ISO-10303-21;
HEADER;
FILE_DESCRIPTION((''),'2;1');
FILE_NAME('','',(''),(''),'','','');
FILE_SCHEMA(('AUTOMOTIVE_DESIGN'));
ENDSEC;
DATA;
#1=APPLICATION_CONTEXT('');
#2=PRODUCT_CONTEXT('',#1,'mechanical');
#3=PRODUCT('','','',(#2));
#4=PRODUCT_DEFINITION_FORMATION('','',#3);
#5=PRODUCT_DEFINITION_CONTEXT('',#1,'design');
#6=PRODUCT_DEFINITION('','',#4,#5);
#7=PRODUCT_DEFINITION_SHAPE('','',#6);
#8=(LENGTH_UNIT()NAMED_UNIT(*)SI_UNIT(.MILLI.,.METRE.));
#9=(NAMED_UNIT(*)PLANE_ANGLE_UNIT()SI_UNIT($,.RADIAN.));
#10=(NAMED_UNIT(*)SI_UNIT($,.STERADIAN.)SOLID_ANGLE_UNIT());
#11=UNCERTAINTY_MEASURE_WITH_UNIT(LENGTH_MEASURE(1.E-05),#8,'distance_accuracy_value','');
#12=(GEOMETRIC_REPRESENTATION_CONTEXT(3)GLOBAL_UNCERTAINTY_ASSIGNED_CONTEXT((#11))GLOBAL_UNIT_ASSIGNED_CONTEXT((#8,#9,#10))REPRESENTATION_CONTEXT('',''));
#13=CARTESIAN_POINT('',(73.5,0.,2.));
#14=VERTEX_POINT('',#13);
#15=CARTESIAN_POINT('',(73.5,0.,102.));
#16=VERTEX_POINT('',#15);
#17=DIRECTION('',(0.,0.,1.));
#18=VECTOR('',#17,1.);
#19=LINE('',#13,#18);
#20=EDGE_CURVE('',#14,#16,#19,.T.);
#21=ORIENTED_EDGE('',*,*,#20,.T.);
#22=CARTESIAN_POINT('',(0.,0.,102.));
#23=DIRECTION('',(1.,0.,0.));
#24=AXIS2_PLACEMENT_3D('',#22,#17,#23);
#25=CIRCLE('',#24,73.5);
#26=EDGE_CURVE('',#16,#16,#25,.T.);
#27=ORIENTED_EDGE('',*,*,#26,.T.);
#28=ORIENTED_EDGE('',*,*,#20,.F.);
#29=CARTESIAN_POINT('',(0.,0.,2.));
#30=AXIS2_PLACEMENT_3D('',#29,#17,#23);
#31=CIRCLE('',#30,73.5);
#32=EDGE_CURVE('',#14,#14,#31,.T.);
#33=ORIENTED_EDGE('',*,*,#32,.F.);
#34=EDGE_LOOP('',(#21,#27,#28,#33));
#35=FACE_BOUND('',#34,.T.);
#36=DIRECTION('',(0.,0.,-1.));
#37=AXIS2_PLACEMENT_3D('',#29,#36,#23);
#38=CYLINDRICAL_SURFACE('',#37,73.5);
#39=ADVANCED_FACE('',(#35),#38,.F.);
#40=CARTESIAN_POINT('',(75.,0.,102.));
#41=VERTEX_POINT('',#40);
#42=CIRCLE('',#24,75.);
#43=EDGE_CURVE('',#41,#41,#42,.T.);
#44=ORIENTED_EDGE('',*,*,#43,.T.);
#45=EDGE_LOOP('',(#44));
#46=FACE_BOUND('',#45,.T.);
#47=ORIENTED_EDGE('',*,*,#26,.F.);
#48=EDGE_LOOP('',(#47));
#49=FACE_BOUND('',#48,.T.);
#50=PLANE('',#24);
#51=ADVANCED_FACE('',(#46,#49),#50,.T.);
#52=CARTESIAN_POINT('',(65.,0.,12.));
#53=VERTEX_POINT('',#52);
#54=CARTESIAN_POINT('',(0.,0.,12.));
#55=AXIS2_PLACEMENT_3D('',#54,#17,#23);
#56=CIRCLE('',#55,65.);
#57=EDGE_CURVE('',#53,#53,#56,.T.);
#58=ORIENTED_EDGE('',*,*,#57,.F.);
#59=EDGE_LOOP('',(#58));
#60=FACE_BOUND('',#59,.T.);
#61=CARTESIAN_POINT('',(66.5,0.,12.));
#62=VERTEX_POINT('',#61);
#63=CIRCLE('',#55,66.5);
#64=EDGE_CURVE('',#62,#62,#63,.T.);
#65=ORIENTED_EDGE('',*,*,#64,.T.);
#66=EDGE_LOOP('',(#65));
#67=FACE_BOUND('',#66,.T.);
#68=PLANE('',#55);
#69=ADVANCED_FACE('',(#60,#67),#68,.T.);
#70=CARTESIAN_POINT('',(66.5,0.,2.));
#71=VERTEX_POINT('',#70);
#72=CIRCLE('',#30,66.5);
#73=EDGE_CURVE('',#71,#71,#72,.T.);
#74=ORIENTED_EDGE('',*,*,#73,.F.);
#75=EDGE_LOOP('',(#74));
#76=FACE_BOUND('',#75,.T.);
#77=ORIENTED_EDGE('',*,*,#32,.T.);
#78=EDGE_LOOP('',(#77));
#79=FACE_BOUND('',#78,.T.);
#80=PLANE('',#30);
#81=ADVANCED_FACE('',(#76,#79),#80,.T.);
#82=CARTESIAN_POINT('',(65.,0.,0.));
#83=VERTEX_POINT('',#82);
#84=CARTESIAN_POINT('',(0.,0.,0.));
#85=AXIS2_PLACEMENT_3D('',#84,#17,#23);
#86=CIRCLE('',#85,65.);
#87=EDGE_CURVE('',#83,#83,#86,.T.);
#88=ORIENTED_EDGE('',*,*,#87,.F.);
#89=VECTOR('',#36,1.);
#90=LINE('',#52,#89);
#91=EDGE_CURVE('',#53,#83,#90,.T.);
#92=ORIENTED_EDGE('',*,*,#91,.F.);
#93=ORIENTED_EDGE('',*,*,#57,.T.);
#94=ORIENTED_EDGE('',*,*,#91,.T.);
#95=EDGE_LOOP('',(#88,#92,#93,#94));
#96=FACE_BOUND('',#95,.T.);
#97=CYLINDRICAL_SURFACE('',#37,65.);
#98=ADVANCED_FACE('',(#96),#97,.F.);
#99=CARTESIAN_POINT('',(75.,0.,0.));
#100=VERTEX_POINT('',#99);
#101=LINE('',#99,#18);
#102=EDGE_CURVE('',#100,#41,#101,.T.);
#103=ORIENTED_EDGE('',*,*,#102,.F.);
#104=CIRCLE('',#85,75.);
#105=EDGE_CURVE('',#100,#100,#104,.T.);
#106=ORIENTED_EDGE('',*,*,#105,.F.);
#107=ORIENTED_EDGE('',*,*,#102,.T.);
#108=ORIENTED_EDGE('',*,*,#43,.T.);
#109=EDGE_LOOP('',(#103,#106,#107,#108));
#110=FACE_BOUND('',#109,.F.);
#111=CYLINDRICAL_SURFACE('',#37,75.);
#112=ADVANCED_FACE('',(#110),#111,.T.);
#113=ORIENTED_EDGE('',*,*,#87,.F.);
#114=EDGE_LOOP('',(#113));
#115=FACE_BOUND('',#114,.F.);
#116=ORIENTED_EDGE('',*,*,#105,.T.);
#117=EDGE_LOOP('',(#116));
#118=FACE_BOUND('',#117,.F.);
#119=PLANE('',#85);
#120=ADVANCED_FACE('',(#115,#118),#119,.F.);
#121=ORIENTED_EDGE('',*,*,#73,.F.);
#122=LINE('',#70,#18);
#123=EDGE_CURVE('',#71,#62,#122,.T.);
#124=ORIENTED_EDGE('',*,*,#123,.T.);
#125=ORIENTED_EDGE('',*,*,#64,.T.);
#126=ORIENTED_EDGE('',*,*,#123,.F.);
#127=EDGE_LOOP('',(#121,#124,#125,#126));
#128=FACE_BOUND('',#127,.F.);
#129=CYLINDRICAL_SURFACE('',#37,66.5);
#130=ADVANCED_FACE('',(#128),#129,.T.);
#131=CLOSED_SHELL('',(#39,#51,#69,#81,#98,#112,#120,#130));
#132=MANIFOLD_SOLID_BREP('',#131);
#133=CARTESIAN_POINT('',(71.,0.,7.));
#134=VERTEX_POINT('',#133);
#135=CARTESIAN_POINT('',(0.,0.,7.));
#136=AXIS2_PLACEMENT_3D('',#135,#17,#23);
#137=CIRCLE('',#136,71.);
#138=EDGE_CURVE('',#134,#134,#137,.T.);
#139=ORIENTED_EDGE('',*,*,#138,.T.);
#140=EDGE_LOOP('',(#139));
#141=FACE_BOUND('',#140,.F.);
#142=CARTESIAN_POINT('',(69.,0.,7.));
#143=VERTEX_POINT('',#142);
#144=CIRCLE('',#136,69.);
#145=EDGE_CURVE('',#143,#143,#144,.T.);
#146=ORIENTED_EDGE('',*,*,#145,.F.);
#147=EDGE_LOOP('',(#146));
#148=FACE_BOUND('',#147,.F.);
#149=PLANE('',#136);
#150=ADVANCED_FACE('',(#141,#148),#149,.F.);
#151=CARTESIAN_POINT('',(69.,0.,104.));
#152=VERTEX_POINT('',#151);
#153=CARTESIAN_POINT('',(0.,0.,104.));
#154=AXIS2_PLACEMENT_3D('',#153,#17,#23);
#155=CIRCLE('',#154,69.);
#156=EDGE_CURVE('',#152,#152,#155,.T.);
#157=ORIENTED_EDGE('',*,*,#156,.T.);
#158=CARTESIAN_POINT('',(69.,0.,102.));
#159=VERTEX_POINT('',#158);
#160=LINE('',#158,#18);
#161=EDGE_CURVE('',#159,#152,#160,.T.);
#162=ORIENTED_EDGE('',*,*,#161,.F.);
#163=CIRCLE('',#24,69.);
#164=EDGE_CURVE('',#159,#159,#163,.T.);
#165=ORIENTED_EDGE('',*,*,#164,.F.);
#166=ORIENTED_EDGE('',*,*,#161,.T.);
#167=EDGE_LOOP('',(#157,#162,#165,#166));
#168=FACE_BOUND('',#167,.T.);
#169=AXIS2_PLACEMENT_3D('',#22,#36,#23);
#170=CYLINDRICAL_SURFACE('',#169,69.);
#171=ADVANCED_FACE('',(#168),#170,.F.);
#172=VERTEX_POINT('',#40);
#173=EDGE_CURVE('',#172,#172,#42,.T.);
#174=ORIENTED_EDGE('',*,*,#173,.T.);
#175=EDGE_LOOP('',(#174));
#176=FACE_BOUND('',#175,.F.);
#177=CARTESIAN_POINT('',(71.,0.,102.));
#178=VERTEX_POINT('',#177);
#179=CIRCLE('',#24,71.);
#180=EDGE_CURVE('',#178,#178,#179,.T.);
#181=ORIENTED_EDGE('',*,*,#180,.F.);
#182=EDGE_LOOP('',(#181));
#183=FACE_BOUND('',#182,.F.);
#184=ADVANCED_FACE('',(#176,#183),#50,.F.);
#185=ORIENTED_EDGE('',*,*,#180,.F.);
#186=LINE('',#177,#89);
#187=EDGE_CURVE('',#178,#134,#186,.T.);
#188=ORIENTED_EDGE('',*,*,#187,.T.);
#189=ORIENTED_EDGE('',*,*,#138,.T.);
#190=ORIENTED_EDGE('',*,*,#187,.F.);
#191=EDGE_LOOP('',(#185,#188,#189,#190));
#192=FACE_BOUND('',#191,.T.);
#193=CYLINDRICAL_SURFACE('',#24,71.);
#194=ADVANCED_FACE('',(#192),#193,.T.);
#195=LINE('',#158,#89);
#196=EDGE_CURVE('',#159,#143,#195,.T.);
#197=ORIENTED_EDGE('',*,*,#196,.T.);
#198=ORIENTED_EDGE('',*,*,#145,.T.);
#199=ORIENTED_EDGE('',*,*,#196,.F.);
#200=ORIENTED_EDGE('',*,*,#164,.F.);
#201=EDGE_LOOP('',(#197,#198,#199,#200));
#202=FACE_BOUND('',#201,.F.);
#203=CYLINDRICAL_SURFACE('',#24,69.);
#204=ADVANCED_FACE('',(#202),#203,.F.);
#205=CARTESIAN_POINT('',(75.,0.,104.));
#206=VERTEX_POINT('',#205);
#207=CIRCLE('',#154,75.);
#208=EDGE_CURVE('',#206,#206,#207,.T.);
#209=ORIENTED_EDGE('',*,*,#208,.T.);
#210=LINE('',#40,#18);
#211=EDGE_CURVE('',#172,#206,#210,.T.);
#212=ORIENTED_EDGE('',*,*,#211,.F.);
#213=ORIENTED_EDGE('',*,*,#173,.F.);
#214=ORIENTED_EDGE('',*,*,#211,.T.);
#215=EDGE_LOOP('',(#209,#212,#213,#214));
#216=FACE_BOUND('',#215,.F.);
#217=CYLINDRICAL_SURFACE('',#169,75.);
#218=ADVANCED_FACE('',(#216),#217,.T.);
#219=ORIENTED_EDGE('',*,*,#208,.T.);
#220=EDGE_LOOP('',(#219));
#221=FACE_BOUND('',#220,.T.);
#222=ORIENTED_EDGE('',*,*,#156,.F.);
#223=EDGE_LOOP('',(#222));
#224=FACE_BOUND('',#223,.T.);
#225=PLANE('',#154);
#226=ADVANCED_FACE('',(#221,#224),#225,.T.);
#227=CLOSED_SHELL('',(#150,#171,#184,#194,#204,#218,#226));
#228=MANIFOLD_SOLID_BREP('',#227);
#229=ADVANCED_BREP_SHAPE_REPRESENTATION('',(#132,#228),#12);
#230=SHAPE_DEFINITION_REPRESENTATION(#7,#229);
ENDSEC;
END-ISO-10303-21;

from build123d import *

# Parameters (mm, degrees)
F0_R     = 75
F0_R_2   = 65
F1_DEPTH = 2
F2_R     = 66.5
F2_R_2   = 65
F3_DEPTH = 10
F2_R_3   = 75
F2_R_4   = 73.5
F4_DEPTH = 100
F5_R     = 75
F5_R_2   = 71
F5_R_3   = 69
F6_DEPTH = 2
F7_DEPTH = 95


with BuildPart() as f1:
    # F0 (on Top) → F1 (new body)
    with BuildSketch(Plane.XY):
        Circle(F0_R)
        Circle(F0_R_2, mode=Mode.SUBTRACT)
    extrude(amount=F1_DEPTH)

    # F2 (on face) → F3 (join)
    with BuildSketch(Plane.XY.offset(2)):
        Circle(F2_R)
        Circle(F2_R_2, mode=Mode.SUBTRACT)
    extrude(amount=F3_DEPTH)

    # F2 (on face) → F4 (join)
    with BuildSketch(Plane.XY.offset(2)):
        Circle(F2_R_3)
        Circle(F2_R_4, mode=Mode.SUBTRACT)
    extrude(amount=F4_DEPTH)


with BuildPart() as f6:
    # F5 (on face) → F6 (new body)
    with BuildSketch(Plane.XY.offset(102)):
        Circle(F5_R)
        Circle(F5_R_2, mode=Mode.SUBTRACT)
        Circle(F5_R_2)
        Circle(F5_R_3, mode=Mode.SUBTRACT)
    extrude(amount=F6_DEPTH)

    # F5 (on face) → F7 (join)
    with BuildSketch(Plane.XY.offset(102)):
        Circle(F5_R_2)
        Circle(F5_R_3, mode=Mode.SUBTRACT)
    extrude(amount=-F7_DEPTH)


solid = Compound([f1.part, f6.part])
